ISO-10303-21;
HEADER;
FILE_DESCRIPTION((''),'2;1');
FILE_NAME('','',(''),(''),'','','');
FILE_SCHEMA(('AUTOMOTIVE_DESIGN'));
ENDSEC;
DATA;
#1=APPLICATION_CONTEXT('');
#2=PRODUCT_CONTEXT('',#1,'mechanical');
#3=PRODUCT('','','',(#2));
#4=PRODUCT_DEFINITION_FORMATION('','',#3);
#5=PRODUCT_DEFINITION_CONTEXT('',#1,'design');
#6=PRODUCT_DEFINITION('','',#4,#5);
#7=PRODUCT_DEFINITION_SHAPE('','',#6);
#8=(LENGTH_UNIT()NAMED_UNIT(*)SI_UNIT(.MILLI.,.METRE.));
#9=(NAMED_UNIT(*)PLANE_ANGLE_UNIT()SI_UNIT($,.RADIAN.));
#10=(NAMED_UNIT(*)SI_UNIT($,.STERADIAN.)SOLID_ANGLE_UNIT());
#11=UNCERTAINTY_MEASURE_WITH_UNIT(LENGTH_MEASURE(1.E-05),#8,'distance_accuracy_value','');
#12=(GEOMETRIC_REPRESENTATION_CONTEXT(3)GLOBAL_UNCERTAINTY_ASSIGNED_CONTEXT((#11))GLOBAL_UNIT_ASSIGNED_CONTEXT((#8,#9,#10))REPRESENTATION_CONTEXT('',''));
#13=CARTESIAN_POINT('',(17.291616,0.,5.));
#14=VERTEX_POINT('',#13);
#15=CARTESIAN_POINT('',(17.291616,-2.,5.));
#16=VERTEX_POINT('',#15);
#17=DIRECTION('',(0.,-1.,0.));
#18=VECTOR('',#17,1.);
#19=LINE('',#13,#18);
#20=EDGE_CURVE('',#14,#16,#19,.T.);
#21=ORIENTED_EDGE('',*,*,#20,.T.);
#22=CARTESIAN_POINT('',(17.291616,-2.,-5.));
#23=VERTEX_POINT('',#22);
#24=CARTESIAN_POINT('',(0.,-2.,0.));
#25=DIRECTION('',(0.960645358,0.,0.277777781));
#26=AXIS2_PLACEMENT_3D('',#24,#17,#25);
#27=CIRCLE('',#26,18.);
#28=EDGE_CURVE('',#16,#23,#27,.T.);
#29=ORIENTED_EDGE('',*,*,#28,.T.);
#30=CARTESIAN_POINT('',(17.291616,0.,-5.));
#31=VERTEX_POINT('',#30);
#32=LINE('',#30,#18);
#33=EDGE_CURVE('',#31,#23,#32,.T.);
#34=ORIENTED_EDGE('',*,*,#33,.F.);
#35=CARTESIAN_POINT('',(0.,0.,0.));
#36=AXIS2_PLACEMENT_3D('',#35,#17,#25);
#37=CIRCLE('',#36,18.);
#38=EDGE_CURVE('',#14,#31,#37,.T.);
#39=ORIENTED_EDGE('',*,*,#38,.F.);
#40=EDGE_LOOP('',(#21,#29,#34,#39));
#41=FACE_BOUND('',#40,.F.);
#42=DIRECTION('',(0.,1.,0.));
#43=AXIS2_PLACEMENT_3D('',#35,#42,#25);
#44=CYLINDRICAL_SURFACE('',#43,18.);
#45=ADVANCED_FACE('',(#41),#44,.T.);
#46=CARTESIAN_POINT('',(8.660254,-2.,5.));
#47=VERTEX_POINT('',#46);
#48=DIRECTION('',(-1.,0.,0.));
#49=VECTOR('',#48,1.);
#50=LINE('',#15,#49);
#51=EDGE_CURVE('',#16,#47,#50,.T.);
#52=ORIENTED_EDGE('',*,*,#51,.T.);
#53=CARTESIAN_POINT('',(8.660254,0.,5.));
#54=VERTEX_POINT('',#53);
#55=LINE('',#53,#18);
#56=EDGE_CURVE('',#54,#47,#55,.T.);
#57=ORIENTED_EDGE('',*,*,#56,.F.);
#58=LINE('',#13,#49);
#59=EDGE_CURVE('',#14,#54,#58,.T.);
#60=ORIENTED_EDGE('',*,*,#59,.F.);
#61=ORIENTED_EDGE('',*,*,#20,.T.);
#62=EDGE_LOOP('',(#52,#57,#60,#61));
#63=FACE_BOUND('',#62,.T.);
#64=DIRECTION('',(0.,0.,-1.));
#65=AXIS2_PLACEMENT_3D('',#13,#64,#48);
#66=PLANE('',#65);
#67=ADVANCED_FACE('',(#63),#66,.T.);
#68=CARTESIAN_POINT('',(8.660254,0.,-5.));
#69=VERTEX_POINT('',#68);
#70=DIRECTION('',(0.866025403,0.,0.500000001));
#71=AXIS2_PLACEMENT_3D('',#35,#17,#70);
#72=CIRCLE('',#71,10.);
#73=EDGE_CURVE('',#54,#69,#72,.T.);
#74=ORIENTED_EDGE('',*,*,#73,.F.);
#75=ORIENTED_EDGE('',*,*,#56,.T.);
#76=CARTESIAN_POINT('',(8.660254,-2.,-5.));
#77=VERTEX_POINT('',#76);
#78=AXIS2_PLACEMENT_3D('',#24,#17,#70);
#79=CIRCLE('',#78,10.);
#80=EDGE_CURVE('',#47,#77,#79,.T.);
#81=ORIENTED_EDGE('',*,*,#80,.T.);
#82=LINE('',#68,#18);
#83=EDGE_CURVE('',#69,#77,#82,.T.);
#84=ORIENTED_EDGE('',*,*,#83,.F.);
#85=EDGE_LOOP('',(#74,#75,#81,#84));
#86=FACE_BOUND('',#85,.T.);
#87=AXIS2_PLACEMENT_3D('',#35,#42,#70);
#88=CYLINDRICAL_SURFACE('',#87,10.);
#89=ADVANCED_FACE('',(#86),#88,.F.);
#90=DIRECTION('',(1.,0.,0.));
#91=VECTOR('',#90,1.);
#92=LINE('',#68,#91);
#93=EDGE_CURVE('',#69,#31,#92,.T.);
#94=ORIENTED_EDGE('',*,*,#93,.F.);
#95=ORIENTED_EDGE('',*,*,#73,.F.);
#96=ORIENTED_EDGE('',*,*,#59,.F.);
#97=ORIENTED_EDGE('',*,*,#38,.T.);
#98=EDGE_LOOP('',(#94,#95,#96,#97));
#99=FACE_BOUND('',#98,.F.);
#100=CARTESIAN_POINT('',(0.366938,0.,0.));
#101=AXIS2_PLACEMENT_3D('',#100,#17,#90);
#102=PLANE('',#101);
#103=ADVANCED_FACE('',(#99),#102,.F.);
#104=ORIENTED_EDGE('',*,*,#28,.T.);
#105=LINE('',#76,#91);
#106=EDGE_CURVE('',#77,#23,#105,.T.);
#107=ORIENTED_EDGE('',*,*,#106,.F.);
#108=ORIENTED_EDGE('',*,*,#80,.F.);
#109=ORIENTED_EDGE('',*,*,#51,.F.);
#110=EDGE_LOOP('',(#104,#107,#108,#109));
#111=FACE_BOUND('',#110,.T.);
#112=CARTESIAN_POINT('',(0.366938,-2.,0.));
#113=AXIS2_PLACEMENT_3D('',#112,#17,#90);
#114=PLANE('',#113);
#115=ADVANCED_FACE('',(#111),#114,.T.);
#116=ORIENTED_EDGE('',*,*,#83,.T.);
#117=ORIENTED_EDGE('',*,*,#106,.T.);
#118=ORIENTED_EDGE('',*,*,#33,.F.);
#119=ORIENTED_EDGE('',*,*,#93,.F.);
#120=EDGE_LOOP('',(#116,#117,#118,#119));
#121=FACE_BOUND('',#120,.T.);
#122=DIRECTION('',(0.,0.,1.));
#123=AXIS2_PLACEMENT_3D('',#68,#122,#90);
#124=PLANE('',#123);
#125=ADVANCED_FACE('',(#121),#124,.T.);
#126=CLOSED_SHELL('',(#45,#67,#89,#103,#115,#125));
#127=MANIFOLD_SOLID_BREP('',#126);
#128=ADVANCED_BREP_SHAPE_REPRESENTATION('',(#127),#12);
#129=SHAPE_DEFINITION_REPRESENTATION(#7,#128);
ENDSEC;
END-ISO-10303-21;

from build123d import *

# Parameters (mm, degrees)
PAD_DEPTH = 2


with BuildPart() as part:
    # Sketch → Pad (new body)
    with BuildSketch(Plane.XZ):
        with BuildLine():
            ThreePointArc((17.291616, 5), (-18, 0), (17.291616, -5))
            Line((8.660254, -5), (17.291616, -5))
            ThreePointArc((8.660254, 5), (-10, 0), (8.660254, -5))
            Line((17.291616, 5), (8.660254, 5))
        make_face()
    extrude(amount=PAD_DEPTH)


solid = part.part
